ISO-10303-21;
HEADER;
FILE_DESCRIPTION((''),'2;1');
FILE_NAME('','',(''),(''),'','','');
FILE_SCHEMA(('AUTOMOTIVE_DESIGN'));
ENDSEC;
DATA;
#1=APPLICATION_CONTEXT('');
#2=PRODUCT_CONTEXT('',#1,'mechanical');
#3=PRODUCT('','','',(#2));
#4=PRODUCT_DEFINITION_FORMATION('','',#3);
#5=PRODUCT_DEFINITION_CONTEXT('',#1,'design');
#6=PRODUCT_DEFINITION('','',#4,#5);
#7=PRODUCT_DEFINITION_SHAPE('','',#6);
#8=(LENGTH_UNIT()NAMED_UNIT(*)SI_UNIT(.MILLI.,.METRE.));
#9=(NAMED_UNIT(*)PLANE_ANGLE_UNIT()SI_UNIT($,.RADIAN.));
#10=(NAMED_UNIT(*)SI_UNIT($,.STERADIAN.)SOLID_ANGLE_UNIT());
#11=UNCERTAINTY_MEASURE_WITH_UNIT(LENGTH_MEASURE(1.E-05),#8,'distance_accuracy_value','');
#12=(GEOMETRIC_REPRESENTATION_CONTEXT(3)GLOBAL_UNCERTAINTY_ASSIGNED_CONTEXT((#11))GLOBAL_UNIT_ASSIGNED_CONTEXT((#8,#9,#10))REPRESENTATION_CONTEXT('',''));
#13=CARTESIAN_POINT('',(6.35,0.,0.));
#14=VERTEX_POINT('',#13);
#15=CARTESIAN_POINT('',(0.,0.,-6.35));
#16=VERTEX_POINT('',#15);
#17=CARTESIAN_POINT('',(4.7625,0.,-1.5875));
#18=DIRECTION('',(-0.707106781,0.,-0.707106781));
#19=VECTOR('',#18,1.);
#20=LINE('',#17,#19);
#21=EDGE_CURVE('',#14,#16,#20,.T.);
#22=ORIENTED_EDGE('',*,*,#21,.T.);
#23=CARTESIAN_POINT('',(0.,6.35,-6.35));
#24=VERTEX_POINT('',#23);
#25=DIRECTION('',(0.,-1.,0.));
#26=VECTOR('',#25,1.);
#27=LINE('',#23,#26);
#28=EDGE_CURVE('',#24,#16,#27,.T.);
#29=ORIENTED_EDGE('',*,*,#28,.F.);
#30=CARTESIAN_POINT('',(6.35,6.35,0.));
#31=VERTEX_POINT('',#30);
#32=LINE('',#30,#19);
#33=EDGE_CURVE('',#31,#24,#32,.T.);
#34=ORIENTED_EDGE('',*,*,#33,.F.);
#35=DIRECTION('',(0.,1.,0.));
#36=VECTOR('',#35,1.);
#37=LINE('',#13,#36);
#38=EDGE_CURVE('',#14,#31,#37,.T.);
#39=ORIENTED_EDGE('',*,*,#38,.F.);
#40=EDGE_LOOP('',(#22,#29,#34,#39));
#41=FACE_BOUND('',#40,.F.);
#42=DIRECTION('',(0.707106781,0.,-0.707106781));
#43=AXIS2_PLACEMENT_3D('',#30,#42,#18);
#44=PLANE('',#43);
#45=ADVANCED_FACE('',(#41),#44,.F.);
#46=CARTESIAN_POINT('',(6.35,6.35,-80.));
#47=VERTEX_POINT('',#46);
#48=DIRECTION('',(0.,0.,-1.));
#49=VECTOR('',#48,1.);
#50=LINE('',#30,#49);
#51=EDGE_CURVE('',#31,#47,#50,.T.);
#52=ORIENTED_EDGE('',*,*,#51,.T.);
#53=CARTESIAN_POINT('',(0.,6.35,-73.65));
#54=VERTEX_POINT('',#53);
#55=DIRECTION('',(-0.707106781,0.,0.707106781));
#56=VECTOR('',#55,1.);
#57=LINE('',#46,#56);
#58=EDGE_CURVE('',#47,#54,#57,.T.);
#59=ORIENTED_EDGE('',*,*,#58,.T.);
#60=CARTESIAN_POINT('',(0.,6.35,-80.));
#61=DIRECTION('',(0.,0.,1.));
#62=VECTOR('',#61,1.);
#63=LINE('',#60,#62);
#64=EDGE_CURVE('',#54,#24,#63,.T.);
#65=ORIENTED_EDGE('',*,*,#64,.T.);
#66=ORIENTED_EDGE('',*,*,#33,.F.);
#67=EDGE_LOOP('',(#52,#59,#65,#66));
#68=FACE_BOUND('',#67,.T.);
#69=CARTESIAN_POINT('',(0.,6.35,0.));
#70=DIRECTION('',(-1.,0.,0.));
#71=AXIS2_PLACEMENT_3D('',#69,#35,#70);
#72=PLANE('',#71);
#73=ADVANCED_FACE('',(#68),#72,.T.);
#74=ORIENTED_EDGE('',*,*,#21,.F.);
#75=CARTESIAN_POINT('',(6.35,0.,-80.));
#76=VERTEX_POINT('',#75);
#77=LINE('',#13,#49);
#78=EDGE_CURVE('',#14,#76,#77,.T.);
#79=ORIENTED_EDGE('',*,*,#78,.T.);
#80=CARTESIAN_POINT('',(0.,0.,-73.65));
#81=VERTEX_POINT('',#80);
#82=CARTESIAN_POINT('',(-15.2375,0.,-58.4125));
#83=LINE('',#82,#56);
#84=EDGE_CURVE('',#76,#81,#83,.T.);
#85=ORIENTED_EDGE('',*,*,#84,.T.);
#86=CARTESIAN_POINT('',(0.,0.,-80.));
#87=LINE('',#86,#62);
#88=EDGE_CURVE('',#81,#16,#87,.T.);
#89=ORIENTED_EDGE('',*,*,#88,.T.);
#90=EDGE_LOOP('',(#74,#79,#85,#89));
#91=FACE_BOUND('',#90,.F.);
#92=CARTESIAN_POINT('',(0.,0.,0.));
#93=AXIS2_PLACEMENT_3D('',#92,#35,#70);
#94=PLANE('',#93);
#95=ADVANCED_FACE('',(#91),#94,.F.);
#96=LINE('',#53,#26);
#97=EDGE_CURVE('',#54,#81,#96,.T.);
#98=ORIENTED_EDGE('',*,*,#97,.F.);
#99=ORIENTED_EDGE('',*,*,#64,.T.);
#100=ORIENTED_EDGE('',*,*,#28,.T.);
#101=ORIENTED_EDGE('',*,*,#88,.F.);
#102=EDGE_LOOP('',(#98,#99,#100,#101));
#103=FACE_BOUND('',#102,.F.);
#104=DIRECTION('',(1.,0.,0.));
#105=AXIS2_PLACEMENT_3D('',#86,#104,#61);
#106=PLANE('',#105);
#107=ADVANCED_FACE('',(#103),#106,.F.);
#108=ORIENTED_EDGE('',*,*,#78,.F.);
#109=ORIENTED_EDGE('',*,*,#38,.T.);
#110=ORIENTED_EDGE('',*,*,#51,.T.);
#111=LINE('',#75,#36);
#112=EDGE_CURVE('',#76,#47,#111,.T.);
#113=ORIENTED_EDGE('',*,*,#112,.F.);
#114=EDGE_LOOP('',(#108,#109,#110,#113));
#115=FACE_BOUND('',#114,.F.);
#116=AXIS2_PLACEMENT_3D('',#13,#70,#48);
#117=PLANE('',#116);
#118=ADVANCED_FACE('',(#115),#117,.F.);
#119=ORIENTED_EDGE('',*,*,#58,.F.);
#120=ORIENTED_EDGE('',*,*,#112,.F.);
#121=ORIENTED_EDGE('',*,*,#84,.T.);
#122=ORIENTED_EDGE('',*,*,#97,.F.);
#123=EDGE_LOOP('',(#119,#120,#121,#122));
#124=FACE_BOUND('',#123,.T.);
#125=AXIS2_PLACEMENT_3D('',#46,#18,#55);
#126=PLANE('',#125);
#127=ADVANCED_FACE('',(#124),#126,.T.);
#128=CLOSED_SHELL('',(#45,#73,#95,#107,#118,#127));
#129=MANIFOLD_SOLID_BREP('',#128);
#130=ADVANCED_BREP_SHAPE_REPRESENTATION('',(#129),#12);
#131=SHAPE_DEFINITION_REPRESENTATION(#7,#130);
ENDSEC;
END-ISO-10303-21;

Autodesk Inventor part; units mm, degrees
ref_plane "YZ Plane" through (0, 0, 0) normal (1, 0, 0) x (0, 1, 0)
ref_plane "XZ Plane" through (0, 0, 0) normal (0, 1, 0) x (-1, 0, 0)
ref_plane "XY Plane" through (0, 0, 0) normal (0, 0, 1) x (1, 0, 0)
sketch "Sketch1" plane through (0, 0, 0) normal (0, 1, 0) x (-1, 0, 0)
  line L0 (0, 0) -> (-6.35, 0)
  line L1 (-6.35, 0) -> (-6.35, -80)
  line L2 (-6.35, -80) -> (0, -80)
  line L3 (0, -80) -> (0, 0)
  dimension "d0" = 6.35
  dimension "d1" = 80
extrude "Extrusion1" add sketch "Sketch1" along normal blind 6.35
sketch "Sketch2" plane through (0, 6.35, 0) normal (0, 1, 0) x (1, 0, 0)
  line L0 (0, 0) -> (6.35, 0) projected
  line L1 (6.35, 0) -> (0, 6.35)
  line L2 (0, 80) -> (0, 0) projected
  line L3 (6.35, 0) -> (15.3303, 0) construction
  line L4 (0, 6.35) -> (0, 0)
  line L5 (0, 0) -> (6.35, 0)
  dimension "d4" = 135
extrude "Extrusion2" cut sketch "Sketch2" against normal blind 10
sketch "Sketch3" plane through (0, 6.35, 0) normal (0, 1, 0) x (1, 0, 0)
  line L0 (6.35, 80) -> (0, 73.65)
  line L1 (6.35, 80) -> (15.3303, 80) construction
  line L2 (0, 73.65) -> (0, 80)
  line L3 (6.35, 0) -> (6.35, 80) projected
  line L4 (6.35, 80) -> (0, 80) projected
  line L5 (0, 80) -> (6.35, 80)
  point P0 (0, 0)
  dimension "d7" = 135
extrude "Extrusion3" cut sketch "Sketch3" against normal blind 10
properties part number "5"
